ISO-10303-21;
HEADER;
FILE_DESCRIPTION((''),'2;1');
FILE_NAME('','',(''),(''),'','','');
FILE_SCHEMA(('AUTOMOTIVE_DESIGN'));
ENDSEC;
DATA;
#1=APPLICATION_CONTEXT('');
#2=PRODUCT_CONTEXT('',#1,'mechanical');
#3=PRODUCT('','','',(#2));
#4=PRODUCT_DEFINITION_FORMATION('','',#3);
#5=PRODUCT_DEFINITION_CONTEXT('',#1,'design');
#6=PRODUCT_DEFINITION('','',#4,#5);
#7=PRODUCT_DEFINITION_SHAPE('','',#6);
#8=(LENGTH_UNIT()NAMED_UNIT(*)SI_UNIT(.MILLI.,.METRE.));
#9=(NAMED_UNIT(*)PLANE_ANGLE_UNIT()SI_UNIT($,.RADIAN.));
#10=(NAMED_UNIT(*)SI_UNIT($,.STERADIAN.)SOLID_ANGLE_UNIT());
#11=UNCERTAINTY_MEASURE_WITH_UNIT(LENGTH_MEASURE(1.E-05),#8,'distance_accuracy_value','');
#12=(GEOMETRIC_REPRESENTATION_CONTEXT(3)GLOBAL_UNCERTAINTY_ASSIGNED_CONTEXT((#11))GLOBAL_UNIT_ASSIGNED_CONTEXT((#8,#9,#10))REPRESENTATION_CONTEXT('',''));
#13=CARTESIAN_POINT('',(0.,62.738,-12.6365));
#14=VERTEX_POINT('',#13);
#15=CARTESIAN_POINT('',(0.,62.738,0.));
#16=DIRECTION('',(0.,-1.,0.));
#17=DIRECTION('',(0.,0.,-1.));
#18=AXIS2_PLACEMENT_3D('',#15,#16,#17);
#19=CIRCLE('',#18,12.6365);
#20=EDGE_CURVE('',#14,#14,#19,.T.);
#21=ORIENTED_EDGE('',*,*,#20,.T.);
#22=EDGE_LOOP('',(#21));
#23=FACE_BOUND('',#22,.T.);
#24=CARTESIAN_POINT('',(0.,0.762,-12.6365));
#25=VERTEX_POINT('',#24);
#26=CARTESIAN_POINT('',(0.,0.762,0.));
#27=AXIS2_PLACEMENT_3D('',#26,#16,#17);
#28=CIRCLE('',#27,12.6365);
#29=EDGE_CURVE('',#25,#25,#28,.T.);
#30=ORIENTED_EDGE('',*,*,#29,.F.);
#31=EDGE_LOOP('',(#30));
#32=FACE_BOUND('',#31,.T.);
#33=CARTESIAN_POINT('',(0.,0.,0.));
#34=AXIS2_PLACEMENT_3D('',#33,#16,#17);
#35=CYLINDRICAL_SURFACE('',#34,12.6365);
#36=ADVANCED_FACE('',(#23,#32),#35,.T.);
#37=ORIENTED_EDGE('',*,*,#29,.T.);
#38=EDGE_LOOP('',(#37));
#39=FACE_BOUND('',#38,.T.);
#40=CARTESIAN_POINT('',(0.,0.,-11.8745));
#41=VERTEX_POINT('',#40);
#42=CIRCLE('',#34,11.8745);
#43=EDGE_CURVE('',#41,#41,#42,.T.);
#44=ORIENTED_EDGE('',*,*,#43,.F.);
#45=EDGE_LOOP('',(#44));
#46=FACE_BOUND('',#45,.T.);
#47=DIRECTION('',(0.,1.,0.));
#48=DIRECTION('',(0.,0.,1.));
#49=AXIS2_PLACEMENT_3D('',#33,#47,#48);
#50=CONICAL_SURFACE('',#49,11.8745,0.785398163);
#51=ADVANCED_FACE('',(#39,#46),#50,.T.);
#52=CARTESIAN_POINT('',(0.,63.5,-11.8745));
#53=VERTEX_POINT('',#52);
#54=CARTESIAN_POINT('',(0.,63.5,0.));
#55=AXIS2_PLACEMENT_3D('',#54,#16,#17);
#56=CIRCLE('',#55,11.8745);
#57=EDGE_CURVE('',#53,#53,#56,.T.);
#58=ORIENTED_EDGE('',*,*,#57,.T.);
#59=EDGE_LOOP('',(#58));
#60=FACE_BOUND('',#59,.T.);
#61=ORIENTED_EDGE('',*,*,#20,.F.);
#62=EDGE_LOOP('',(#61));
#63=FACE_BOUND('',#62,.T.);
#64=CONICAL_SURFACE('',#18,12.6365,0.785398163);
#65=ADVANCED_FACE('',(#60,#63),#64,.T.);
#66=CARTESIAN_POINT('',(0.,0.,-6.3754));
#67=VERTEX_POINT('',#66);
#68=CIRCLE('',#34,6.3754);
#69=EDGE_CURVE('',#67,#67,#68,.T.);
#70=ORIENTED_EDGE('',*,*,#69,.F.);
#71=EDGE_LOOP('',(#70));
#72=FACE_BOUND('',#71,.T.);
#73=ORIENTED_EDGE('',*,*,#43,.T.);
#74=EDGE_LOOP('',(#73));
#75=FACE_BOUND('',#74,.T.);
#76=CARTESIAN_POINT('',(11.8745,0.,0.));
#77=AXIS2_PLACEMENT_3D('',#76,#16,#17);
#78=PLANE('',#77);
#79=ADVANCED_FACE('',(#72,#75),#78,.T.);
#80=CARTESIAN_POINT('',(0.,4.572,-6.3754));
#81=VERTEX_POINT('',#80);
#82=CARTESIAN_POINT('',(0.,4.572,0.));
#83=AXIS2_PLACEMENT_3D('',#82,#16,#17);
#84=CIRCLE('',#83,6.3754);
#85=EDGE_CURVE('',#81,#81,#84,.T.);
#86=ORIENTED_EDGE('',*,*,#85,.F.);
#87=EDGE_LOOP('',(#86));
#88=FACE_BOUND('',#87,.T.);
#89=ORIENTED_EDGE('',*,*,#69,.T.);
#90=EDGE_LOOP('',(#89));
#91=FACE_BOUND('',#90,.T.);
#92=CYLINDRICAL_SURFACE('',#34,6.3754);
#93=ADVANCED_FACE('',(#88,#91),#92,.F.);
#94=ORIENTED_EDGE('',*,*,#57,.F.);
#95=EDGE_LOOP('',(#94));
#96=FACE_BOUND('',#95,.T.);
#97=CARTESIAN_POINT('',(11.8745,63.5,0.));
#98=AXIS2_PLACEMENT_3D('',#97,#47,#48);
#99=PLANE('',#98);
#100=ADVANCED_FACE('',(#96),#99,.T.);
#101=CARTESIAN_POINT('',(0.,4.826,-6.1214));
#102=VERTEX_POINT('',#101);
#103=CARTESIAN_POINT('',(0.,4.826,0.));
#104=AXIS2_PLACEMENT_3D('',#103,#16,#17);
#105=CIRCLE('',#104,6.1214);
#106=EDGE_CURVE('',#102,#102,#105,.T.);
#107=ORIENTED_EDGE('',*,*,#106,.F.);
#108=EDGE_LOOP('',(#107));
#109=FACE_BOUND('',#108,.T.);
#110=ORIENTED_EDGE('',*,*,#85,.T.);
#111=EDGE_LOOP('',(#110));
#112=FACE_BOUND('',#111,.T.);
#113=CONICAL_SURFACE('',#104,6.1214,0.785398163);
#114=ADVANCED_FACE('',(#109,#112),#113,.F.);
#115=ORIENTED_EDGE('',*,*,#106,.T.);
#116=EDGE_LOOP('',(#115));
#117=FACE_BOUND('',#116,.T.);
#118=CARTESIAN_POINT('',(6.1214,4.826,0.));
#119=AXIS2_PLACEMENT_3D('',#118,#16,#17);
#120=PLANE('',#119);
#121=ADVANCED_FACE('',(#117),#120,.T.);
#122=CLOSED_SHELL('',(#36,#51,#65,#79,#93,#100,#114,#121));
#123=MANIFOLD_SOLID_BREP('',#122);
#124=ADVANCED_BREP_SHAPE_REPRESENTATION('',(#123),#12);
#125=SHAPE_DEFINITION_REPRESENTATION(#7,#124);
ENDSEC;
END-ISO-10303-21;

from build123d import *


with BuildPart() as part:
    # Sketch1 → Revolve1 (revolve)
    with BuildSketch(Plane.XY, mode=Mode.PRIVATE) as revolve1_sk:
        Polygon((12.6365, 0.762), (12.6365, 62.738), (11.8745, 63.5), (0, 63.5), (0, 4.826), (6.1214, 4.826), (6.3754, 4.572), (6.3754, 0), (11.8745, 0), align=None)
    revolve(revolve1_sk.sketch.rotate(Axis((0, 0, 0), (0, 1, 0)), 90), axis=Axis((0, 0, 0), (0, 1, 0)))  # turned: the seam where the file's is


solid = part.part
